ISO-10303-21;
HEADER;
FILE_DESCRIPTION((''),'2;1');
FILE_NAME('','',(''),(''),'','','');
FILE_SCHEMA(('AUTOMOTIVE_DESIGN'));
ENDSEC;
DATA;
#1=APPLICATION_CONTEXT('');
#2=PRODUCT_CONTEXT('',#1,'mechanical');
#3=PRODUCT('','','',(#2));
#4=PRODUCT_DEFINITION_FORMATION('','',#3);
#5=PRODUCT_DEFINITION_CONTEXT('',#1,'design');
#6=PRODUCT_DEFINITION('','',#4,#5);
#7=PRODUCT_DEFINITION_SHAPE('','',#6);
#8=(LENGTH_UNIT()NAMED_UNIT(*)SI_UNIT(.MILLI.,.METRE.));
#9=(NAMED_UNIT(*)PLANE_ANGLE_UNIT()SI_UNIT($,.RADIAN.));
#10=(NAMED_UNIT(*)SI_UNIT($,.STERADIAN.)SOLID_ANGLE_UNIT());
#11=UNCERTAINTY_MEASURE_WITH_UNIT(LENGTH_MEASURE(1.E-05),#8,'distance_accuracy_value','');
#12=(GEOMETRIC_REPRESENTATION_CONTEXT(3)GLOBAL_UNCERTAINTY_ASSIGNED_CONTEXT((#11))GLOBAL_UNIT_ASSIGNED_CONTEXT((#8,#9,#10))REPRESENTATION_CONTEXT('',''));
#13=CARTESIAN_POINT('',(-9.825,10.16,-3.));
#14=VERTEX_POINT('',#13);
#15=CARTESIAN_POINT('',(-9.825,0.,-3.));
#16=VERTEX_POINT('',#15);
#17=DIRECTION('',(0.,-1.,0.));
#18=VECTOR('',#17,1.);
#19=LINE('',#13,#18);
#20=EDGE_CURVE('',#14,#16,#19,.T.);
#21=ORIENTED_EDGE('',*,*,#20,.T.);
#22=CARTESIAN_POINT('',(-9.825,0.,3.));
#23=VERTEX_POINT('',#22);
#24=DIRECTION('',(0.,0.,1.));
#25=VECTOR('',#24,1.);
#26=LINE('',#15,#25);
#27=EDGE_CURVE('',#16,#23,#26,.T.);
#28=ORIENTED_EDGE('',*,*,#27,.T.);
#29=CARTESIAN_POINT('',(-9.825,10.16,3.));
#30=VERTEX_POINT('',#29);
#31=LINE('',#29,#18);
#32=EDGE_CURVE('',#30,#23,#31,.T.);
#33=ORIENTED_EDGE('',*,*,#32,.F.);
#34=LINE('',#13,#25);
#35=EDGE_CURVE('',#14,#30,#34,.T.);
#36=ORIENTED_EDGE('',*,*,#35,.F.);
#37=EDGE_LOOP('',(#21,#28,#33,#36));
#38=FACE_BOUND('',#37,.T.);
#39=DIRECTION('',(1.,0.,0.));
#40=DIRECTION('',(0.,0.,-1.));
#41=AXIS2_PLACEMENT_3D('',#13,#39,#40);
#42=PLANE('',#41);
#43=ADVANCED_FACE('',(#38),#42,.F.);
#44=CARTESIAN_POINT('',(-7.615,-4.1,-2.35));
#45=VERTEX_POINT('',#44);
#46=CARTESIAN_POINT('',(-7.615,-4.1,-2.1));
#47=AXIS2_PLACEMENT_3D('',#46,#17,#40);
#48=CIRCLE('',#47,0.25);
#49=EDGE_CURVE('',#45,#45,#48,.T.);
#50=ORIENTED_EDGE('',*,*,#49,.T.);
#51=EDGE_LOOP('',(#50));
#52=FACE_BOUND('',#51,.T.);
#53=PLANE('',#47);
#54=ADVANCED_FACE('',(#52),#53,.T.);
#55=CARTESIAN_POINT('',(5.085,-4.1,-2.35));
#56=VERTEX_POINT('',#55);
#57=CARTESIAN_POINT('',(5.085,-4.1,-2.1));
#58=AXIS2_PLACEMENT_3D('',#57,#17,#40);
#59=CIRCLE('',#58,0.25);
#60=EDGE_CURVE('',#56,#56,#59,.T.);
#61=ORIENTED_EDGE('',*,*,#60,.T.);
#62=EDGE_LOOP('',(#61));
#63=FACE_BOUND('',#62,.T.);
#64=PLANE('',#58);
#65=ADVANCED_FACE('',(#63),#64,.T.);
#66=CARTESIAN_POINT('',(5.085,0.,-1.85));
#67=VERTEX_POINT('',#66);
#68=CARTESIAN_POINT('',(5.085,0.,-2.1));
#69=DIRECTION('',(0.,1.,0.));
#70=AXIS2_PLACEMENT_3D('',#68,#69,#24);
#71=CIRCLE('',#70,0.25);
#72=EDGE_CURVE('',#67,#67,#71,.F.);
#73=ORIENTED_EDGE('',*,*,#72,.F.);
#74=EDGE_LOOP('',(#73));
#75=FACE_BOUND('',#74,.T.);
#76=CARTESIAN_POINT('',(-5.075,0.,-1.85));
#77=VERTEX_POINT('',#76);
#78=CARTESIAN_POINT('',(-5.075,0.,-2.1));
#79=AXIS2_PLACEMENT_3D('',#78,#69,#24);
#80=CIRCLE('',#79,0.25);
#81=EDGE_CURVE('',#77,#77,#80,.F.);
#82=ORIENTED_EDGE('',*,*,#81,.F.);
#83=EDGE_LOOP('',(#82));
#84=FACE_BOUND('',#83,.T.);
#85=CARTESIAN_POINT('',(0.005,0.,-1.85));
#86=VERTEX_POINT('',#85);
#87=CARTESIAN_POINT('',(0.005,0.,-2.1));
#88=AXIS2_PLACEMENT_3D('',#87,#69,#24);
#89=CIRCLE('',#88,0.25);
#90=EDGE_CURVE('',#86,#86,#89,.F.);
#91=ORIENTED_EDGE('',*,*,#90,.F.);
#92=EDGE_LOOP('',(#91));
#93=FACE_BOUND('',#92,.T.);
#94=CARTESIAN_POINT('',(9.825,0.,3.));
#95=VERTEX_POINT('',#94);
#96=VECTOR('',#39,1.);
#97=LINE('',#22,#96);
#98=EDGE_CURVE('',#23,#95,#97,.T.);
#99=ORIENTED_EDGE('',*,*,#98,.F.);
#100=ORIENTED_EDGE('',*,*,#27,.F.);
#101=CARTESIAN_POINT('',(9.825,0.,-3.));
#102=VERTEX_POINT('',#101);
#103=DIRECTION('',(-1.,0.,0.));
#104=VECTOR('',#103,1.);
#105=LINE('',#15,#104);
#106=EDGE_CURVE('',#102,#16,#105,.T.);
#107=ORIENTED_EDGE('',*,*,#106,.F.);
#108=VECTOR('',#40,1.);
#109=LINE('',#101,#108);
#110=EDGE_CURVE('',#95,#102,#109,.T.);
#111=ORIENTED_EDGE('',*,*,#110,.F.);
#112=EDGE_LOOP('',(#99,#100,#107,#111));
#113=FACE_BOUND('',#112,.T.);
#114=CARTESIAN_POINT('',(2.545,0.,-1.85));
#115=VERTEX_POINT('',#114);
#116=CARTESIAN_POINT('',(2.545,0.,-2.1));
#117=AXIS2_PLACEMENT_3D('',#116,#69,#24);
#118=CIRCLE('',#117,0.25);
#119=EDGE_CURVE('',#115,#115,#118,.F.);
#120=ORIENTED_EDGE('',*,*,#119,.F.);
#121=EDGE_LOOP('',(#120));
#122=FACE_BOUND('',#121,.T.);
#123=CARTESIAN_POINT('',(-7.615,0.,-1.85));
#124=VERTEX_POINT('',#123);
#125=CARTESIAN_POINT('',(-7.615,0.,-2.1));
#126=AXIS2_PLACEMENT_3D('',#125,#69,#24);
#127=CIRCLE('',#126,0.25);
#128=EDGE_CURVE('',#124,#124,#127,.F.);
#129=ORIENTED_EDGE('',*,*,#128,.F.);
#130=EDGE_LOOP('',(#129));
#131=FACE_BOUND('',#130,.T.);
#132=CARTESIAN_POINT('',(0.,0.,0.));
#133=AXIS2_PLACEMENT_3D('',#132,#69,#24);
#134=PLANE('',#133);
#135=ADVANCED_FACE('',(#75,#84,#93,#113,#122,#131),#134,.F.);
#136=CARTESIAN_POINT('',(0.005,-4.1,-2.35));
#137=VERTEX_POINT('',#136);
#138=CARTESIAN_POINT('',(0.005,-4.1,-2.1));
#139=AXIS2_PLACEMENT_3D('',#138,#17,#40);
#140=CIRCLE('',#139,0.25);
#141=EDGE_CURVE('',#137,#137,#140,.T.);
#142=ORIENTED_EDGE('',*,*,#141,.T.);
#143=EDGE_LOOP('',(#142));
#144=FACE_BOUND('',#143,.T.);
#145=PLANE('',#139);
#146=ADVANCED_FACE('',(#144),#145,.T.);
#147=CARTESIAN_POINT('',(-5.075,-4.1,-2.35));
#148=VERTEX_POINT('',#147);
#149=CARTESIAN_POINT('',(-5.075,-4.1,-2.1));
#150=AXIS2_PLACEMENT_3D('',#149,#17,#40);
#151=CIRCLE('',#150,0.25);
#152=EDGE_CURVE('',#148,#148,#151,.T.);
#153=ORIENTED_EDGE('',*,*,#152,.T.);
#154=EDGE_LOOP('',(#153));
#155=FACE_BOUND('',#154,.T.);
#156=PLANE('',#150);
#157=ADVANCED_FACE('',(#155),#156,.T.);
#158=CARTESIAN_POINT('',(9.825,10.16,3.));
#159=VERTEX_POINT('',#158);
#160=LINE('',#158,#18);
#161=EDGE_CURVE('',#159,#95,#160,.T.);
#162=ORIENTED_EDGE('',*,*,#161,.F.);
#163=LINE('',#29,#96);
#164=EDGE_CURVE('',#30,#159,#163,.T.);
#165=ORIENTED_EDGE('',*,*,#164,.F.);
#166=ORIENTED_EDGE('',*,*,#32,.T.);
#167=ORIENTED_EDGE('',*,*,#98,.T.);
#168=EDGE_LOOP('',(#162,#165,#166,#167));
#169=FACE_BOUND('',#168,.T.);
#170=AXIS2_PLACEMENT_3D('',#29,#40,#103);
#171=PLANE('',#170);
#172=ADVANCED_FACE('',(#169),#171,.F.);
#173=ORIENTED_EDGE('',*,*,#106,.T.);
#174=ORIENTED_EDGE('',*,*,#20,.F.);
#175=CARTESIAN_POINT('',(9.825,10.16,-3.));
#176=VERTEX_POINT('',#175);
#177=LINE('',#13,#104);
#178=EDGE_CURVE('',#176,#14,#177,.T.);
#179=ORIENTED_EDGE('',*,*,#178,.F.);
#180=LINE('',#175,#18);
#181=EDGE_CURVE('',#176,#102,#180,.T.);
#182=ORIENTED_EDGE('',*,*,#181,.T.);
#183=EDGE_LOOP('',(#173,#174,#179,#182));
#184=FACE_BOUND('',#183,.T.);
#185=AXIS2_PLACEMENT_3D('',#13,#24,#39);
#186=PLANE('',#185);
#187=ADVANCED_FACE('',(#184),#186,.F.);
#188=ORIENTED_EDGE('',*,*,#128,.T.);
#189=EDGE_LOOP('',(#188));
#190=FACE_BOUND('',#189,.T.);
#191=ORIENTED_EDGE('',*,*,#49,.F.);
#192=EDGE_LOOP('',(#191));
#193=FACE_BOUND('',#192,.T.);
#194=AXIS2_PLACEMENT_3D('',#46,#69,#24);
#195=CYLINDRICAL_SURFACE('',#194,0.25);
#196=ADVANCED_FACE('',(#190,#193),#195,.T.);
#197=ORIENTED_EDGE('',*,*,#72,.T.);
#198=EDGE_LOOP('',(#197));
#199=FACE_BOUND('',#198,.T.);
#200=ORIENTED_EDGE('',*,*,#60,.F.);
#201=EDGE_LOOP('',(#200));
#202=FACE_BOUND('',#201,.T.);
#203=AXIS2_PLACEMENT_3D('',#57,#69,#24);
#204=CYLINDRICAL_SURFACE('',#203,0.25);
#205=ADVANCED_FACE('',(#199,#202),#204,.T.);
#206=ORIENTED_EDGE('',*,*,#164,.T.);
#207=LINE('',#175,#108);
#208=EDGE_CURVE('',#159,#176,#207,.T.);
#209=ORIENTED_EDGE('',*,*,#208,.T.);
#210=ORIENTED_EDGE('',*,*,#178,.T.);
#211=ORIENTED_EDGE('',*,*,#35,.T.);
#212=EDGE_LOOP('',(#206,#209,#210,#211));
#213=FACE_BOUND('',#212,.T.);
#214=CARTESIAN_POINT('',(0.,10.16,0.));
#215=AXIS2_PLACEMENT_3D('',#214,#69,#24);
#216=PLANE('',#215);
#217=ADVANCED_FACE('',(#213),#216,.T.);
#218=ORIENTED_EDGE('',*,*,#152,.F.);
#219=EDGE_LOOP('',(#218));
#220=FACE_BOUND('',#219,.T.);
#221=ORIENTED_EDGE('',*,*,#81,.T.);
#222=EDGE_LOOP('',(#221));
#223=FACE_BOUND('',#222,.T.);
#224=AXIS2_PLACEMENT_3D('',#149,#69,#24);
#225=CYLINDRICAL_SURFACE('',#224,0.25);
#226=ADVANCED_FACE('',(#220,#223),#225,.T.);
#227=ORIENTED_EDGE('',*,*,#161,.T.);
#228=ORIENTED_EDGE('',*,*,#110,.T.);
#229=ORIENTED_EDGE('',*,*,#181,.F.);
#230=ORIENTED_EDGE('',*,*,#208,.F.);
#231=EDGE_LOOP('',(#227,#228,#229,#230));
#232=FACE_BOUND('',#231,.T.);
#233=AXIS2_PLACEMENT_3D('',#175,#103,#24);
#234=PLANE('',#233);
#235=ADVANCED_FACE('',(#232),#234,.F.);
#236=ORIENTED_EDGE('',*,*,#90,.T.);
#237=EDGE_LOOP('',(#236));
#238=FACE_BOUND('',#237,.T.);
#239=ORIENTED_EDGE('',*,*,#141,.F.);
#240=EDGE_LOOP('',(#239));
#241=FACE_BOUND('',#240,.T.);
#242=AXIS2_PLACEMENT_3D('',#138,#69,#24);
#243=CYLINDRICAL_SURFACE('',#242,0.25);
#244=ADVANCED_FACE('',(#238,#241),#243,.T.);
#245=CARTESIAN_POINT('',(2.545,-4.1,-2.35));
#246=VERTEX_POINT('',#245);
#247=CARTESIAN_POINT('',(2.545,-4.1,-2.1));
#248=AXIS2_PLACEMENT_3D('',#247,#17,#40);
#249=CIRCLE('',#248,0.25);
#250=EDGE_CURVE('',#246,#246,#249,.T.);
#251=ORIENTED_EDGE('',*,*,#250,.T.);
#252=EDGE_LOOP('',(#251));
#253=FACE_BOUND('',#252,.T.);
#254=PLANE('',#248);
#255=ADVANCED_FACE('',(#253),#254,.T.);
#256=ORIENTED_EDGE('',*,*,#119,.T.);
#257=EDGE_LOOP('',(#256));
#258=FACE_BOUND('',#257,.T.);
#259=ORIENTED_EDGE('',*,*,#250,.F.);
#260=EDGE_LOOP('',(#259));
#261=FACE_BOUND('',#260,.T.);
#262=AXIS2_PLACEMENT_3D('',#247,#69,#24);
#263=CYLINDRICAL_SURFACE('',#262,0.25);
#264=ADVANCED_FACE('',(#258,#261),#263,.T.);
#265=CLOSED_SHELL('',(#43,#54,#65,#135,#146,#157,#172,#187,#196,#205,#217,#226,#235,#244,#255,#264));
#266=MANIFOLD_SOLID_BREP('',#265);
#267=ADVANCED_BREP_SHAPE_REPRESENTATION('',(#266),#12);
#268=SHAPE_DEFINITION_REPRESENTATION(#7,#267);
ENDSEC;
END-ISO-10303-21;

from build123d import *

# Parameters (mm, degrees)
SKETCH1_W           = 19.65
SKETCH1_H           = 6
BOSS_EXTRUDE1_DEPTH = 10.16
SKETCH2_R           = 0.25
BOSS_EXTRUDE2_DEPTH = 4.1


with BuildPart() as part:
    # Sketch1 → Boss-Extrude1 (new body)
    with BuildSketch(Plane(origin=(0, 0, 0), x_dir=(1, 0, 0), z_dir=(0, 1, 0))):
        Rectangle(SKETCH1_W, SKETCH1_H)
    extrude(amount=BOSS_EXTRUDE1_DEPTH)

    # Sketch2 → Boss-Extrude2 (add)
    with BuildSketch(Plane.XZ):
        with Locations(Location((0.005, -2.1, 0), (0, 0, 90))):
            Circle(SKETCH2_R)
        with Locations(Location((2.545, -2.1, 0), (0, 0, 90))):
            Circle(SKETCH2_R)
        with Locations(Location((5.085, -2.1, 0), (0, 0, 90))):
            Circle(SKETCH2_R)
        with Locations(Location((-5.075, -2.1, 0), (0, 0, 90))):
            Circle(SKETCH2_R)
        with Locations(Location((-7.615, -2.1, 0), (0, 0, 90))):
            Circle(SKETCH2_R)
    extrude(amount=BOSS_EXTRUDE2_DEPTH)


solid = part.part
